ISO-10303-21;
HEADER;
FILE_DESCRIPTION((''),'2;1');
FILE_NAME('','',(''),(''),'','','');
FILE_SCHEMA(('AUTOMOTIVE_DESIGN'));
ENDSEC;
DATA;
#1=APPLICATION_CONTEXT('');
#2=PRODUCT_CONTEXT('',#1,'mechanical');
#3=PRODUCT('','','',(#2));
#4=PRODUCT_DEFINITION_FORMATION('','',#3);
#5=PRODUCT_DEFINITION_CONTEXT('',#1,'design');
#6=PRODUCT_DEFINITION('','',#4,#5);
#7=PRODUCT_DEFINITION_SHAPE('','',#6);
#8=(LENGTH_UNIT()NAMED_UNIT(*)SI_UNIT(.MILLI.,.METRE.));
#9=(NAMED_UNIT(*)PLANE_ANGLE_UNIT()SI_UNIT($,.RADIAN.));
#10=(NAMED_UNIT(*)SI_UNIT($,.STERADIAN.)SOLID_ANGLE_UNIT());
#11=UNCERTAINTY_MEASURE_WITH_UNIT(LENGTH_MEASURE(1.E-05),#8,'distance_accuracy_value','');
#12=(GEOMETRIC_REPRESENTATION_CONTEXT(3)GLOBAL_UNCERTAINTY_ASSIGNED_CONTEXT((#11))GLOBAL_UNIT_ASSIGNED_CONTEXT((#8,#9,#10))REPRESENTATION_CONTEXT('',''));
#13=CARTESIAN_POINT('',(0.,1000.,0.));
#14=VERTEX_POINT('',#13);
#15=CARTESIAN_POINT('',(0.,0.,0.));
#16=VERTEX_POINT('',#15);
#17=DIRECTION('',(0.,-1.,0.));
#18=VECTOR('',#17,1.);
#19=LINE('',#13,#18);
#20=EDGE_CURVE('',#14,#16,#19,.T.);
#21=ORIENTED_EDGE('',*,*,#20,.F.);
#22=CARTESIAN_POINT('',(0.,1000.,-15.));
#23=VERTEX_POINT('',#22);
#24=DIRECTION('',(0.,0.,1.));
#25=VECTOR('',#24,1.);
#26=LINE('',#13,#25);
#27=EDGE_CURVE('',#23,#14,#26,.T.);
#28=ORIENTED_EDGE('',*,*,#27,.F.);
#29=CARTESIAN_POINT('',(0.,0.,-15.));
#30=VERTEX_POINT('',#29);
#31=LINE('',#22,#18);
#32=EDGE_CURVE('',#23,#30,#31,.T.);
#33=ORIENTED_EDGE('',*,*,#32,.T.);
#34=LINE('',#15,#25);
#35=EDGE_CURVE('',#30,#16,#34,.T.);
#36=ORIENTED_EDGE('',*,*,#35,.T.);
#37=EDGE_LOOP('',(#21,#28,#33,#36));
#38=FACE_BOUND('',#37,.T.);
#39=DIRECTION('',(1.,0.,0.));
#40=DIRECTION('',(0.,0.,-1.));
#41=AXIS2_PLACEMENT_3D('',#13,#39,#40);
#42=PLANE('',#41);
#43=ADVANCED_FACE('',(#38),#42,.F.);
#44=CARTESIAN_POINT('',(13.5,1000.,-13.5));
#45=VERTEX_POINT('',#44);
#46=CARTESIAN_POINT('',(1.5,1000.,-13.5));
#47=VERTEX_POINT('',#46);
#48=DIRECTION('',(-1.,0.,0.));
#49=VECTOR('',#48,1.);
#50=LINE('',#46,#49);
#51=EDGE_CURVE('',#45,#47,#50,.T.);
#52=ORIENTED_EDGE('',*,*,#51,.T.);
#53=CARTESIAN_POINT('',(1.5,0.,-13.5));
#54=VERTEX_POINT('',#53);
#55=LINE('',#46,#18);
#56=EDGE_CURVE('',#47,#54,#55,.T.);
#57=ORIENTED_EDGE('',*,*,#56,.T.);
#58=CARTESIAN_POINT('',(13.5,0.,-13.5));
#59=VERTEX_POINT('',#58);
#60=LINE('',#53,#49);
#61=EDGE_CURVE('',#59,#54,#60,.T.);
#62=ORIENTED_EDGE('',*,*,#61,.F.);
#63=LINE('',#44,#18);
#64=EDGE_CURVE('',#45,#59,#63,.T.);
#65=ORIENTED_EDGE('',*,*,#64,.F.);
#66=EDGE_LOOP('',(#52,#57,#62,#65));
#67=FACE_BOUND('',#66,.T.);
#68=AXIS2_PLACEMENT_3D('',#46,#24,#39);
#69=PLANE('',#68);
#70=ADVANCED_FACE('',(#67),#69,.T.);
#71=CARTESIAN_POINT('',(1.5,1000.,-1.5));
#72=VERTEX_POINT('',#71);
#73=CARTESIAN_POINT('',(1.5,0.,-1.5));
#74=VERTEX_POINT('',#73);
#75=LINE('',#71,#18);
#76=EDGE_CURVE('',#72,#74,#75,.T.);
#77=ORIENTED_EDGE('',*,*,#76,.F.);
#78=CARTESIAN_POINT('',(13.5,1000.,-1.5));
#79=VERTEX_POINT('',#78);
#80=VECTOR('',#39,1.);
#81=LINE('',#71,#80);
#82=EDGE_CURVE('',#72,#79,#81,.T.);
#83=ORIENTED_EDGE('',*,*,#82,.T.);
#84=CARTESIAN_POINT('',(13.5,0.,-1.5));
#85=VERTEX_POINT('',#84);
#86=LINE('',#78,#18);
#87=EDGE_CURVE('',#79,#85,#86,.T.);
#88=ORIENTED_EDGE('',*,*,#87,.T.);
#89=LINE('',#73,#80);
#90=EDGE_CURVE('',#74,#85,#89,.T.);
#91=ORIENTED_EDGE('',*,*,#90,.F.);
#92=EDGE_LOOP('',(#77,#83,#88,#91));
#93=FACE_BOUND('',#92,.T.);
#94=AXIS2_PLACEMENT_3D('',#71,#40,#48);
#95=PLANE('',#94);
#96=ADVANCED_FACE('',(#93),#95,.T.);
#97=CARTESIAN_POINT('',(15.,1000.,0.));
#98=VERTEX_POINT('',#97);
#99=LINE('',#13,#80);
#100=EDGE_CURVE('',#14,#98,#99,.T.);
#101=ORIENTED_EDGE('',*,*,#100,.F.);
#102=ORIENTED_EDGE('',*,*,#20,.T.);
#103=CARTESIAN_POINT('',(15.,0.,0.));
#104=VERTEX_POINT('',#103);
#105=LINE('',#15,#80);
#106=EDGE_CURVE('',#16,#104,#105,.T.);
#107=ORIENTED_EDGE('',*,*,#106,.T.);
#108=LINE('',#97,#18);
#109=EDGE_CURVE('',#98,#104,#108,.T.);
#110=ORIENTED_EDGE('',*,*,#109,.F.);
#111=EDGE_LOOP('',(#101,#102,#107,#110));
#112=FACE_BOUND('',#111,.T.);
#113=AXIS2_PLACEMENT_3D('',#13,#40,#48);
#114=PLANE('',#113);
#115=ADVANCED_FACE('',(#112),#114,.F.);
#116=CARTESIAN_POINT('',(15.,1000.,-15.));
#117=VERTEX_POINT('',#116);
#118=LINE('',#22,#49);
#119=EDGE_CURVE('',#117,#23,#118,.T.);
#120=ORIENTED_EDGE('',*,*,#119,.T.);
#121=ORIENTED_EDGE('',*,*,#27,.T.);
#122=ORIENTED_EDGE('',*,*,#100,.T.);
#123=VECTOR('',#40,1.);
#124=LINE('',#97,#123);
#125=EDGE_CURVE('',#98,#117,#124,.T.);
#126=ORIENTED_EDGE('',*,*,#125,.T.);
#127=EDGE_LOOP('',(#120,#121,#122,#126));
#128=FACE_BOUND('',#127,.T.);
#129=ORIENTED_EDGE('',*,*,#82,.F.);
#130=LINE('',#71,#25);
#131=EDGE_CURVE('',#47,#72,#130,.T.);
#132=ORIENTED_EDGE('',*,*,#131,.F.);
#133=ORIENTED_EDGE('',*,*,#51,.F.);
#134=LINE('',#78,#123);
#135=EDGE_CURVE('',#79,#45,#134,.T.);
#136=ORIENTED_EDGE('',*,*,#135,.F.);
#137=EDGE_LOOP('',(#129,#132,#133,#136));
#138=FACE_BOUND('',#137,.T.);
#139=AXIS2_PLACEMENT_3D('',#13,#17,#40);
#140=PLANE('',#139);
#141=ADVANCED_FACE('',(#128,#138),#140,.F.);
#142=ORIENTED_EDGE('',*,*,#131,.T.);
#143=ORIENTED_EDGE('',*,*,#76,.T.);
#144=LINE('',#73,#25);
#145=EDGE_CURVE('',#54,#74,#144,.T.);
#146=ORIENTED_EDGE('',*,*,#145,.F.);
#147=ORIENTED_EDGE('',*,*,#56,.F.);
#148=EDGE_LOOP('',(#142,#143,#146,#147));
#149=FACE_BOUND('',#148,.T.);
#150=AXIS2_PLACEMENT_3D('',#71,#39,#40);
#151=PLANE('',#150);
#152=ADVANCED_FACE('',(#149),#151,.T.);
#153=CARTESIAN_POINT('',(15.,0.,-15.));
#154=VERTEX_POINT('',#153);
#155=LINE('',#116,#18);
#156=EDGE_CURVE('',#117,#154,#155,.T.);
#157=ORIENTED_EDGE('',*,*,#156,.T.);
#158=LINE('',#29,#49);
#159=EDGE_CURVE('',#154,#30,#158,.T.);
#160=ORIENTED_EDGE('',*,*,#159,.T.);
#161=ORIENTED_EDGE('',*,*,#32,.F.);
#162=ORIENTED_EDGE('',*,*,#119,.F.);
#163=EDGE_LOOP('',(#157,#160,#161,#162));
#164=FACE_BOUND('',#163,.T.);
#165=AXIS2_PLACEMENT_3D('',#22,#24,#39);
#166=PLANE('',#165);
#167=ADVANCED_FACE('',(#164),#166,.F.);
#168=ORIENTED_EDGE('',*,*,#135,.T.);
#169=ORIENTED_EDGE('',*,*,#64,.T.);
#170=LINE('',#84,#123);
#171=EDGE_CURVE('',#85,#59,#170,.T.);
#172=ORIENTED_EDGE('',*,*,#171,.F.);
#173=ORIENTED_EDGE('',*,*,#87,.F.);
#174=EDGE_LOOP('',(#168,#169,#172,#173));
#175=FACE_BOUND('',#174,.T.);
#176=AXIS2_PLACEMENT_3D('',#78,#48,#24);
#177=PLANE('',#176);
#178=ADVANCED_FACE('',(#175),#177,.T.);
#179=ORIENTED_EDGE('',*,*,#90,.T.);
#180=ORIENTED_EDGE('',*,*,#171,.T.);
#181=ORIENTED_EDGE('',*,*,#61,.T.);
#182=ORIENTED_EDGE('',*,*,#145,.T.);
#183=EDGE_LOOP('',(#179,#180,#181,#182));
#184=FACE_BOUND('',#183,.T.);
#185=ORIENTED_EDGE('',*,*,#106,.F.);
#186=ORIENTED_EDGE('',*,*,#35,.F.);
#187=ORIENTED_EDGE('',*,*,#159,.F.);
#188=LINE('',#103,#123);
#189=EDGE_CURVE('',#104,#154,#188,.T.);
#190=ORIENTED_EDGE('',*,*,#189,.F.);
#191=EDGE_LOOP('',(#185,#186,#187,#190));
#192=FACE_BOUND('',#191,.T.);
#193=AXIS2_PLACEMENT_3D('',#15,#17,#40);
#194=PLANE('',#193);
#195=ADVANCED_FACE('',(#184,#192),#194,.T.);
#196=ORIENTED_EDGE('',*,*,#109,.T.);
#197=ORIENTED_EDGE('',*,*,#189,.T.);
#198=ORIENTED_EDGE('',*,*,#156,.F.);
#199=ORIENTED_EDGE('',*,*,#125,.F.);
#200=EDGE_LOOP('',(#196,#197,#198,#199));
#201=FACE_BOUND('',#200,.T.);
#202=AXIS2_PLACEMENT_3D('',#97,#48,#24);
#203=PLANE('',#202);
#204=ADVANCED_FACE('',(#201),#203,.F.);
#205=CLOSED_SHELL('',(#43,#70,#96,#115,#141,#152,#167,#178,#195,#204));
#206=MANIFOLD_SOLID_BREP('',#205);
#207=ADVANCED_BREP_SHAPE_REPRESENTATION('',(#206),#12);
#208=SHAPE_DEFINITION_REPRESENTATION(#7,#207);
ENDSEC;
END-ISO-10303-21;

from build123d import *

# Parameters (mm, degrees)
SKETCH1_W           = 15
SKETCH1_H           = 15
SKETCH1_W_2         = 12
SKETCH1_H_2         = 12
BOSS_EXTRUDE1_DEPTH = 1000


with BuildPart() as part:
    # Sketch1 → Boss-Extrude1 (new body)
    with BuildSketch(Plane(origin=(0, 0, 0), x_dir=(1, 0, 0), z_dir=(0, 1, 0))):
        with Locations((7.5, 7.5)):
            Rectangle(SKETCH1_W, SKETCH1_H)
        with Locations((7.5, 7.5)):
            Rectangle(SKETCH1_W_2, SKETCH1_H_2, mode=Mode.SUBTRACT)
    extrude(amount=BOSS_EXTRUDE1_DEPTH)


solid = part.part
